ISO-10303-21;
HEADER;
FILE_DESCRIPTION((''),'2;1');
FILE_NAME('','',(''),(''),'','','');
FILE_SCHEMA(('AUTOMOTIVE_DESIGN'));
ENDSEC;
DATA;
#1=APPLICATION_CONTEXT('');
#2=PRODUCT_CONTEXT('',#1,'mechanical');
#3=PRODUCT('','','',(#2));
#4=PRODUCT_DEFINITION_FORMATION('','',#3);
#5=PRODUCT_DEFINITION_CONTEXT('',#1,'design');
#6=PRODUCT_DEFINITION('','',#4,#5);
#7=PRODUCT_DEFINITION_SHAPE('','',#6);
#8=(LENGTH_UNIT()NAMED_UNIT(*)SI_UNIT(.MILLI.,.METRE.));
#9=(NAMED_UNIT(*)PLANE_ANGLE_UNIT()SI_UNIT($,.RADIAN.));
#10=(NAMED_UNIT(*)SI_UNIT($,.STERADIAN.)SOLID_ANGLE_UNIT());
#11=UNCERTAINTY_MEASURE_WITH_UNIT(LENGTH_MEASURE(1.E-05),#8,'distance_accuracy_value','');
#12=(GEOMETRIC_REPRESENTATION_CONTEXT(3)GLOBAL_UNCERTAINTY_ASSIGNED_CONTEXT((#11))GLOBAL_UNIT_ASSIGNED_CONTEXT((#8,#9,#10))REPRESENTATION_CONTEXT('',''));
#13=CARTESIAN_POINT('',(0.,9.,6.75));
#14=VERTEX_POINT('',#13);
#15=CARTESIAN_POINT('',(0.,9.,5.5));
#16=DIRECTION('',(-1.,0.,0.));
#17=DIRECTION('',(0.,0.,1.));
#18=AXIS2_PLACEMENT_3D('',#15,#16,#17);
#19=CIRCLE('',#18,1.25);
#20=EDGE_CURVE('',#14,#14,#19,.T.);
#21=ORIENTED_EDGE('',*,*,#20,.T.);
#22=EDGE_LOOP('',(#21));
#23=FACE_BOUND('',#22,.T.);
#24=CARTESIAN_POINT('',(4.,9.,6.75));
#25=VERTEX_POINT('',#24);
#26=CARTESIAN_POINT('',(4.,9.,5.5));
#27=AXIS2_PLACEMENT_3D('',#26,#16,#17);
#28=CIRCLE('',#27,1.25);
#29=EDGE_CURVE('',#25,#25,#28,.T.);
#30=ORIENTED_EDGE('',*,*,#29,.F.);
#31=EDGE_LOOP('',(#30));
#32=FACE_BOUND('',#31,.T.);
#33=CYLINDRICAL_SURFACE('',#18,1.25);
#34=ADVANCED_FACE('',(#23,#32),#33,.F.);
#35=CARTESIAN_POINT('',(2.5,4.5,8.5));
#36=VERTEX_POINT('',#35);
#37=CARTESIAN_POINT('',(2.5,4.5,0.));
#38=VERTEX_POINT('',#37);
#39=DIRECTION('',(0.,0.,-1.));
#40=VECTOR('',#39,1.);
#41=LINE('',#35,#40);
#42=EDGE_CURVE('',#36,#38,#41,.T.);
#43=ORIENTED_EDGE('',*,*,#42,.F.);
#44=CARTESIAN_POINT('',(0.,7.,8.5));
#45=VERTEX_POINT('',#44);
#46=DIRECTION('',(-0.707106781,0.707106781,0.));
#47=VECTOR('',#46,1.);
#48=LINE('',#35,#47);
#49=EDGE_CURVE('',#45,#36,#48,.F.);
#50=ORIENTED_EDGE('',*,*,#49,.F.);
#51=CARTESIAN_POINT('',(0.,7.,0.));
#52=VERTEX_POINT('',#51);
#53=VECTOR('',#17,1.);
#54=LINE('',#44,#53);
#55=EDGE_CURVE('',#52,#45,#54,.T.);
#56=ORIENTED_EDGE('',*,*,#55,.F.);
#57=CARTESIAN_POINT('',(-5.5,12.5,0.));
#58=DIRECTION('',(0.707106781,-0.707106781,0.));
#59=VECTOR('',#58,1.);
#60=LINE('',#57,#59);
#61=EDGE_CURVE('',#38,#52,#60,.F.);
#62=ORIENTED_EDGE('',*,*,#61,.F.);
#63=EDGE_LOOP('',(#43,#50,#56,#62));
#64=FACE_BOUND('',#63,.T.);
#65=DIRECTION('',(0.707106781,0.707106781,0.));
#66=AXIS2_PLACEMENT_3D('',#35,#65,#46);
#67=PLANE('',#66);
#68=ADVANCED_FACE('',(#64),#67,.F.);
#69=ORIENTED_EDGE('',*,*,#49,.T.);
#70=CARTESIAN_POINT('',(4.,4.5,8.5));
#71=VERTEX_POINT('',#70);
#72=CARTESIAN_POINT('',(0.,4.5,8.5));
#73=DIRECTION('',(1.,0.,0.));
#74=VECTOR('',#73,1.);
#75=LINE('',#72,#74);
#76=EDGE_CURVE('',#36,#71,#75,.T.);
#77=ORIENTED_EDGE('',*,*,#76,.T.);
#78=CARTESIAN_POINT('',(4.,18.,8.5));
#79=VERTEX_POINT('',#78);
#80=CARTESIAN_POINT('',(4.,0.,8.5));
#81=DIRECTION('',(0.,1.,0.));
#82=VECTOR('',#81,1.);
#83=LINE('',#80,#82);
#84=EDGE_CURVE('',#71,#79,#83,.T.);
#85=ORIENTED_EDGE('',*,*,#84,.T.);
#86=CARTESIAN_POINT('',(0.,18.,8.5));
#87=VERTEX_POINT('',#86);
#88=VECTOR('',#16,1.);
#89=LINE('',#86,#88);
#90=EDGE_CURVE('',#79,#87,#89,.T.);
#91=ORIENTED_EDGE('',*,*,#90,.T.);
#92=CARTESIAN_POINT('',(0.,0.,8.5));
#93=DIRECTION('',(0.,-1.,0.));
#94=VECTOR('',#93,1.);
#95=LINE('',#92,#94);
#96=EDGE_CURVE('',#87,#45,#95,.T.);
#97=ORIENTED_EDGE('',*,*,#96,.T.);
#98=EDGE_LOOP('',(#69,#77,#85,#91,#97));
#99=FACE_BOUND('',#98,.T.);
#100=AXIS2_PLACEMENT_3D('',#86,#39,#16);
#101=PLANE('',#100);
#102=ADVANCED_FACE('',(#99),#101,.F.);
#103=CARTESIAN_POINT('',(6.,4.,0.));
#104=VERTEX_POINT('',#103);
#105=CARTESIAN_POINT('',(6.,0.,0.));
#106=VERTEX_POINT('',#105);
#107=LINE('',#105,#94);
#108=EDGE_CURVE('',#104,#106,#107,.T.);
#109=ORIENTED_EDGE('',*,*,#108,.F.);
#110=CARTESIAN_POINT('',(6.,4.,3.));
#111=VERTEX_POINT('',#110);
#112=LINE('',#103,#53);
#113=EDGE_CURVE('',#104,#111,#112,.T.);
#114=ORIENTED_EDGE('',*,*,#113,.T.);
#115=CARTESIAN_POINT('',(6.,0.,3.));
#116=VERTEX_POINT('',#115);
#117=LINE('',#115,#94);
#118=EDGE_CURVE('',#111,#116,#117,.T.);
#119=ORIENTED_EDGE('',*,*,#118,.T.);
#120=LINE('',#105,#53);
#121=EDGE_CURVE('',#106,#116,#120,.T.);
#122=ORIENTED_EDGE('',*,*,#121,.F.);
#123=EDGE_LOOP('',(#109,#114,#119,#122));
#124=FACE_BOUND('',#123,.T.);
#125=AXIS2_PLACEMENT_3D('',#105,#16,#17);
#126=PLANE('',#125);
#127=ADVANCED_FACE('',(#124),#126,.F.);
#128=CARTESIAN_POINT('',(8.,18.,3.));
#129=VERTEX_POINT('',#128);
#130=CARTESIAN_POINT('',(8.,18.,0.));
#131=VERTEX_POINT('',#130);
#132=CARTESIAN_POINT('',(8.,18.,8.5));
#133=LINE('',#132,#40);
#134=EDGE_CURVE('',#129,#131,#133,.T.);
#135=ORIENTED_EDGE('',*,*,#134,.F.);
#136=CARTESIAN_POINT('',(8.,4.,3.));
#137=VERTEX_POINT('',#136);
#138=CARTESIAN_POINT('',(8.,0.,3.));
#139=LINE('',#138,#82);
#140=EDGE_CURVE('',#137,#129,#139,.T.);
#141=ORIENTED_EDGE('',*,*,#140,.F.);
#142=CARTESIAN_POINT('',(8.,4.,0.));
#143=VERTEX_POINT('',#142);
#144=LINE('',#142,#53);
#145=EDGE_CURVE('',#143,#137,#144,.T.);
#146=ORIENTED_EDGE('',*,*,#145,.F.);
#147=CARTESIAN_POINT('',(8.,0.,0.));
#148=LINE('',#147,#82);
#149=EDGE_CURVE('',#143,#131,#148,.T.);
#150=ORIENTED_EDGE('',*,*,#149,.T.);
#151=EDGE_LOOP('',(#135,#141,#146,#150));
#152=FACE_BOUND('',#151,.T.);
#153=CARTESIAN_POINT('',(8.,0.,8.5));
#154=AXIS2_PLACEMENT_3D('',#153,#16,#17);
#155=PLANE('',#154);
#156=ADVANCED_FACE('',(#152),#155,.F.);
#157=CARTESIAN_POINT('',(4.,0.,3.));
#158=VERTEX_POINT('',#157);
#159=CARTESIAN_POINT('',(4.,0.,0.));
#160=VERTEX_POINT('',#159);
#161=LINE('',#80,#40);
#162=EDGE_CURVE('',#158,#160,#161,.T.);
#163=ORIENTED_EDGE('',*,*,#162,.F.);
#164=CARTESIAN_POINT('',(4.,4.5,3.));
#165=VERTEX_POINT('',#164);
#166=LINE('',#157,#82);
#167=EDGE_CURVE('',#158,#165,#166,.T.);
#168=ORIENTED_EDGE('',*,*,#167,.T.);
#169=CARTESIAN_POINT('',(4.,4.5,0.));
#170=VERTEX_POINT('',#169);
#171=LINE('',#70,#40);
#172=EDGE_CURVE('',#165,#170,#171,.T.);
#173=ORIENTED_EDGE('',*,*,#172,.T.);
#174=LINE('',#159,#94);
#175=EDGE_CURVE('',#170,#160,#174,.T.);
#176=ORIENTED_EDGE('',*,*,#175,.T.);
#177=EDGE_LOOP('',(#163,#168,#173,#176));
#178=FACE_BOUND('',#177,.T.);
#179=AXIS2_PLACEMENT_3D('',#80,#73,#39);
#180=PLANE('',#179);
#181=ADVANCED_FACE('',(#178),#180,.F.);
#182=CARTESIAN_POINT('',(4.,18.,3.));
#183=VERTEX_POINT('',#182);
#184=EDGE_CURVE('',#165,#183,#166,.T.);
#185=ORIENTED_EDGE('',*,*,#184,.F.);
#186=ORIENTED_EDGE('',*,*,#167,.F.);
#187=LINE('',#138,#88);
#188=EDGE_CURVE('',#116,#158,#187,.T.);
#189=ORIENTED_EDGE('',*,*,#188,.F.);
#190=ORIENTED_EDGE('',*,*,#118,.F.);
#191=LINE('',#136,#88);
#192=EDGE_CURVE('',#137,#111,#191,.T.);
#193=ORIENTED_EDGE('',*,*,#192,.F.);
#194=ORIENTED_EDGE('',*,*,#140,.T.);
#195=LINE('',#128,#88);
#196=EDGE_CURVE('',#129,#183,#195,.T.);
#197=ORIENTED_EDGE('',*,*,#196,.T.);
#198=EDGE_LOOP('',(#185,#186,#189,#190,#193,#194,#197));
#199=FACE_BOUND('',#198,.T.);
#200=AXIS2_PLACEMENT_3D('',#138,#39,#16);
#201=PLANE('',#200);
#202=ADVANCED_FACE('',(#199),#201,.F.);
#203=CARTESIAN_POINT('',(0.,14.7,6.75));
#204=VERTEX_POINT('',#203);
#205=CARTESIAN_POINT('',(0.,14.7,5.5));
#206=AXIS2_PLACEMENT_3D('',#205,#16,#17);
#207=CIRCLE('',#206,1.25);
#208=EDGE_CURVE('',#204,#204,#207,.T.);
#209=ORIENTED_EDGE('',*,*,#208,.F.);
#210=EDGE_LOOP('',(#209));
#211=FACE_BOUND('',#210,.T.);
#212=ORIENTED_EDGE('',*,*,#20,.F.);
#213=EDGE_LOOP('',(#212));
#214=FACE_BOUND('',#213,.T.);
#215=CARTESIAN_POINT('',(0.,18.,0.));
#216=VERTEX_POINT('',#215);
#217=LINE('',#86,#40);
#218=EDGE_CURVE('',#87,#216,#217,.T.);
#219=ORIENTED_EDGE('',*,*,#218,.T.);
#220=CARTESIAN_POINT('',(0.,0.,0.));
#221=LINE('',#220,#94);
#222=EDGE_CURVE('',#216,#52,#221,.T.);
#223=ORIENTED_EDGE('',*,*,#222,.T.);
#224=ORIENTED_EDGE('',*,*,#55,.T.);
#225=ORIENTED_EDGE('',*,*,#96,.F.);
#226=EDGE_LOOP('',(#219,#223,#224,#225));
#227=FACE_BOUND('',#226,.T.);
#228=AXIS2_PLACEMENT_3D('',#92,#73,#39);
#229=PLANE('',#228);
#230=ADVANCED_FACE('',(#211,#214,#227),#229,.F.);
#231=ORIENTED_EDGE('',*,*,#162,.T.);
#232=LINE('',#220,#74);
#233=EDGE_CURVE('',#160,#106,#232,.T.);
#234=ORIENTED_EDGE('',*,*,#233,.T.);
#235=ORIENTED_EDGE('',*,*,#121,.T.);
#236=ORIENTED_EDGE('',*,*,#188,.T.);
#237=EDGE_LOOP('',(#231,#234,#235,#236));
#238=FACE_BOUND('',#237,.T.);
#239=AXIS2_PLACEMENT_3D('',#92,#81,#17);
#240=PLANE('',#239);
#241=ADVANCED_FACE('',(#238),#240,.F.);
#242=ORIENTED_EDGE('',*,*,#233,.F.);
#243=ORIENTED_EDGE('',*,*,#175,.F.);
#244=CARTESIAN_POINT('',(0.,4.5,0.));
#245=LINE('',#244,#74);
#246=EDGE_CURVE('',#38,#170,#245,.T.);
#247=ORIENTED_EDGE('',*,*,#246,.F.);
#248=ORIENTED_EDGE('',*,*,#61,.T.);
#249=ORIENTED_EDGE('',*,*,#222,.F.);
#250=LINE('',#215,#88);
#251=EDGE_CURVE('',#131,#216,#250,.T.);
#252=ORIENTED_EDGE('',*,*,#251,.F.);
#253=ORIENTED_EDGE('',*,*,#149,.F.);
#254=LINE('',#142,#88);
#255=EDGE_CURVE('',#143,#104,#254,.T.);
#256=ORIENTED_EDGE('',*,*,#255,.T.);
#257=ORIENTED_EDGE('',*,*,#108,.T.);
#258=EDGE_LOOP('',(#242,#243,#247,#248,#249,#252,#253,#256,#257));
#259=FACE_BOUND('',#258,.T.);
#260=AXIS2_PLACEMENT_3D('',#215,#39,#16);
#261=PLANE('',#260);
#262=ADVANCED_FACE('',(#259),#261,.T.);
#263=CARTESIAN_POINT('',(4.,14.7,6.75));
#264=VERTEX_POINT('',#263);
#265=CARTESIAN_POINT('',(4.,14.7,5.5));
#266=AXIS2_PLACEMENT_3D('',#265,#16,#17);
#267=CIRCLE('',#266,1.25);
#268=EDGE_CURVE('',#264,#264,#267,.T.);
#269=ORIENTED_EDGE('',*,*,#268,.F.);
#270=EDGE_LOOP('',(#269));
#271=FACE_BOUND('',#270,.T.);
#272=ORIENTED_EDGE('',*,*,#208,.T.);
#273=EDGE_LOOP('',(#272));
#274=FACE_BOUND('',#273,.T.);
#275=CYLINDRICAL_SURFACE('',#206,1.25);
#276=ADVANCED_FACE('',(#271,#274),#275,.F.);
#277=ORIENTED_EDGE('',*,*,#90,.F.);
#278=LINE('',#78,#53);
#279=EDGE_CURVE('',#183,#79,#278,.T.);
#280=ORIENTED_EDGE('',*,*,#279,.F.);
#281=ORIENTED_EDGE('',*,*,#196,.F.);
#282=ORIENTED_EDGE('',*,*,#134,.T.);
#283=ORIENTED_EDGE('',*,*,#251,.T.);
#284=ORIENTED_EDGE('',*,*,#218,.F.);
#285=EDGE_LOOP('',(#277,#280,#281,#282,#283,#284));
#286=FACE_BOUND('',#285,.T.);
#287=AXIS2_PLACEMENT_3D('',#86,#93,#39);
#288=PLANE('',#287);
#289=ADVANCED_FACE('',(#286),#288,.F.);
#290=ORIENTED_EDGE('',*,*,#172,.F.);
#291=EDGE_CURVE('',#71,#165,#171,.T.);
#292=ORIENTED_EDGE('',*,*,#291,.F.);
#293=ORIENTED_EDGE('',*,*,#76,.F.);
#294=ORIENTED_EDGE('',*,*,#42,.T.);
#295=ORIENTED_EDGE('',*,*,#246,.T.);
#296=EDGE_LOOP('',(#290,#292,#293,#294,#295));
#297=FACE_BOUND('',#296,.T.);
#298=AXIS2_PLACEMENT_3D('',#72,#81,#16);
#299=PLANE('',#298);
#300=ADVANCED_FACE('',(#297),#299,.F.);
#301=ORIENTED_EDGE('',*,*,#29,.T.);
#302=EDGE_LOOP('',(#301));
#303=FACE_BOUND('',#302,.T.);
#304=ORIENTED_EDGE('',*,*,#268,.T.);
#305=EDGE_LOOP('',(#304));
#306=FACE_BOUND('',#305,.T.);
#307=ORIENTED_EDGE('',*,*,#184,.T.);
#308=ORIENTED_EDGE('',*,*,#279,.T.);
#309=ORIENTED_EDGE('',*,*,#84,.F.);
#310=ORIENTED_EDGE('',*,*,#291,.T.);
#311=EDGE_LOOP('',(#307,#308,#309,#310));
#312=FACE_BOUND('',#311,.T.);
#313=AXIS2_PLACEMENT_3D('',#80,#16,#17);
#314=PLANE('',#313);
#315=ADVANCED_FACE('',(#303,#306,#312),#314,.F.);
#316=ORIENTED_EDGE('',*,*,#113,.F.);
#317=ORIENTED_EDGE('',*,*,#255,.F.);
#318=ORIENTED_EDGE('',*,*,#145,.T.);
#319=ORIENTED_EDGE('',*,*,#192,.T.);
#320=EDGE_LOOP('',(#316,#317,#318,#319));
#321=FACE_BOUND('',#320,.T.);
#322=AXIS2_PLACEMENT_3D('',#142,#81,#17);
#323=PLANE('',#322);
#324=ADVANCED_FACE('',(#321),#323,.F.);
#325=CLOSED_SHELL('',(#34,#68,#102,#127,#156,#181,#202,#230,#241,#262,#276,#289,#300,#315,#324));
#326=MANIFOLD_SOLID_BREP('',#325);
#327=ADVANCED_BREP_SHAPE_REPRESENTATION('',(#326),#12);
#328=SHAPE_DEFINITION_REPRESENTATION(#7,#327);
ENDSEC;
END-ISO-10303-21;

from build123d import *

# Parameters (mm, degrees)
SKETCH_1_W          = 8
SKETCH_1_H          = 18
EXTRUDE_1_DEPTH     = 8.5
SKETCH_2_W          = 4
SKETCH_2_H          = 5.5
CUT_EXTRUDE_1_DEPTH = 22.453437953
HOLE_WIZARD_M3_1_D  = 2.5
SKETCH_5_W          = 5.5
SKETCH_5_H          = 4
CUT_EXTRUDE_2_DEPTH = 8.5
SKETCH_6_W          = 2
SKETCH_6_H          = 4
CUT_EXTRUDE_3_DEPTH = 21.451161336
SKETCH_7_W          = 4
SKETCH_7_H          = 4.5
CUT_EXTRUDE_4_DEPTH = 22.453437953
CHAMFER_1_SIZE      = 2.5


with BuildPart() as part:
    # 草图1 → 凸台-拉伸1 (new body)
    with BuildSketch(Plane.XY):
        with Locations((4, 9)):
            Rectangle(SKETCH_1_W, SKETCH_1_H)
    extrude(amount=EXTRUDE_1_DEPTH)

    # 草图2 → 切除-拉伸1 (cut, through all)
    with BuildSketch(Plane(origin=(0, 18, 0), x_dir=(1, 0, 0), z_dir=(0, 1, 0))):
        with Locations((6, -5.75)):
            Rectangle(SKETCH_2_W, SKETCH_2_H)
    extrude(amount=-CUT_EXTRUDE_1_DEPTH, mode=Mode.SUBTRACT)

    # M3 螺纹孔1 (through all)
    with Locations(Plane.ZY):
        with Locations((5.5, 14.7), (5.5, 9)):
            Hole(HOLE_WIZARD_M3_1_D / 2)

    # 草图5 → 切除-拉伸2 (cut)
    with BuildSketch(Plane(origin=(4, 0, 0), x_dir=(0, 0, -1), z_dir=(1, 0, 0))):
        with Locations((-5.75, 2)):
            Rectangle(SKETCH_5_W, SKETCH_5_H)
    extrude(amount=-CUT_EXTRUDE_2_DEPTH, mode=Mode.SUBTRACT)

    # 草图6 → 切除-拉伸3 (cut, through all)
    with BuildSketch(Plane.XY.offset(3)):
        with Locations((7, 2)):
            Rectangle(SKETCH_6_W, SKETCH_6_H)
    extrude(amount=-CUT_EXTRUDE_3_DEPTH, mode=Mode.SUBTRACT)

    # 草图7 → 切除-拉伸4 (cut, through all)
    with BuildSketch(Plane(origin=(0, 0, 0), x_dir=(-1, 0, 0), z_dir=(0, 0, -1))):
        with Locations((-2, 2.25)):
            Rectangle(SKETCH_7_W, SKETCH_7_H)
    extrude(amount=-CUT_EXTRUDE_4_DEPTH, mode=Mode.SUBTRACT)

    # 倒角1
    chamfer_1_edges = [part.edges().sort_by_distance(p)[0] for p in [
        (0, 4.5, 4.25),
    ]]
    chamfer(chamfer_1_edges, length=CHAMFER_1_SIZE)


solid = part.part
